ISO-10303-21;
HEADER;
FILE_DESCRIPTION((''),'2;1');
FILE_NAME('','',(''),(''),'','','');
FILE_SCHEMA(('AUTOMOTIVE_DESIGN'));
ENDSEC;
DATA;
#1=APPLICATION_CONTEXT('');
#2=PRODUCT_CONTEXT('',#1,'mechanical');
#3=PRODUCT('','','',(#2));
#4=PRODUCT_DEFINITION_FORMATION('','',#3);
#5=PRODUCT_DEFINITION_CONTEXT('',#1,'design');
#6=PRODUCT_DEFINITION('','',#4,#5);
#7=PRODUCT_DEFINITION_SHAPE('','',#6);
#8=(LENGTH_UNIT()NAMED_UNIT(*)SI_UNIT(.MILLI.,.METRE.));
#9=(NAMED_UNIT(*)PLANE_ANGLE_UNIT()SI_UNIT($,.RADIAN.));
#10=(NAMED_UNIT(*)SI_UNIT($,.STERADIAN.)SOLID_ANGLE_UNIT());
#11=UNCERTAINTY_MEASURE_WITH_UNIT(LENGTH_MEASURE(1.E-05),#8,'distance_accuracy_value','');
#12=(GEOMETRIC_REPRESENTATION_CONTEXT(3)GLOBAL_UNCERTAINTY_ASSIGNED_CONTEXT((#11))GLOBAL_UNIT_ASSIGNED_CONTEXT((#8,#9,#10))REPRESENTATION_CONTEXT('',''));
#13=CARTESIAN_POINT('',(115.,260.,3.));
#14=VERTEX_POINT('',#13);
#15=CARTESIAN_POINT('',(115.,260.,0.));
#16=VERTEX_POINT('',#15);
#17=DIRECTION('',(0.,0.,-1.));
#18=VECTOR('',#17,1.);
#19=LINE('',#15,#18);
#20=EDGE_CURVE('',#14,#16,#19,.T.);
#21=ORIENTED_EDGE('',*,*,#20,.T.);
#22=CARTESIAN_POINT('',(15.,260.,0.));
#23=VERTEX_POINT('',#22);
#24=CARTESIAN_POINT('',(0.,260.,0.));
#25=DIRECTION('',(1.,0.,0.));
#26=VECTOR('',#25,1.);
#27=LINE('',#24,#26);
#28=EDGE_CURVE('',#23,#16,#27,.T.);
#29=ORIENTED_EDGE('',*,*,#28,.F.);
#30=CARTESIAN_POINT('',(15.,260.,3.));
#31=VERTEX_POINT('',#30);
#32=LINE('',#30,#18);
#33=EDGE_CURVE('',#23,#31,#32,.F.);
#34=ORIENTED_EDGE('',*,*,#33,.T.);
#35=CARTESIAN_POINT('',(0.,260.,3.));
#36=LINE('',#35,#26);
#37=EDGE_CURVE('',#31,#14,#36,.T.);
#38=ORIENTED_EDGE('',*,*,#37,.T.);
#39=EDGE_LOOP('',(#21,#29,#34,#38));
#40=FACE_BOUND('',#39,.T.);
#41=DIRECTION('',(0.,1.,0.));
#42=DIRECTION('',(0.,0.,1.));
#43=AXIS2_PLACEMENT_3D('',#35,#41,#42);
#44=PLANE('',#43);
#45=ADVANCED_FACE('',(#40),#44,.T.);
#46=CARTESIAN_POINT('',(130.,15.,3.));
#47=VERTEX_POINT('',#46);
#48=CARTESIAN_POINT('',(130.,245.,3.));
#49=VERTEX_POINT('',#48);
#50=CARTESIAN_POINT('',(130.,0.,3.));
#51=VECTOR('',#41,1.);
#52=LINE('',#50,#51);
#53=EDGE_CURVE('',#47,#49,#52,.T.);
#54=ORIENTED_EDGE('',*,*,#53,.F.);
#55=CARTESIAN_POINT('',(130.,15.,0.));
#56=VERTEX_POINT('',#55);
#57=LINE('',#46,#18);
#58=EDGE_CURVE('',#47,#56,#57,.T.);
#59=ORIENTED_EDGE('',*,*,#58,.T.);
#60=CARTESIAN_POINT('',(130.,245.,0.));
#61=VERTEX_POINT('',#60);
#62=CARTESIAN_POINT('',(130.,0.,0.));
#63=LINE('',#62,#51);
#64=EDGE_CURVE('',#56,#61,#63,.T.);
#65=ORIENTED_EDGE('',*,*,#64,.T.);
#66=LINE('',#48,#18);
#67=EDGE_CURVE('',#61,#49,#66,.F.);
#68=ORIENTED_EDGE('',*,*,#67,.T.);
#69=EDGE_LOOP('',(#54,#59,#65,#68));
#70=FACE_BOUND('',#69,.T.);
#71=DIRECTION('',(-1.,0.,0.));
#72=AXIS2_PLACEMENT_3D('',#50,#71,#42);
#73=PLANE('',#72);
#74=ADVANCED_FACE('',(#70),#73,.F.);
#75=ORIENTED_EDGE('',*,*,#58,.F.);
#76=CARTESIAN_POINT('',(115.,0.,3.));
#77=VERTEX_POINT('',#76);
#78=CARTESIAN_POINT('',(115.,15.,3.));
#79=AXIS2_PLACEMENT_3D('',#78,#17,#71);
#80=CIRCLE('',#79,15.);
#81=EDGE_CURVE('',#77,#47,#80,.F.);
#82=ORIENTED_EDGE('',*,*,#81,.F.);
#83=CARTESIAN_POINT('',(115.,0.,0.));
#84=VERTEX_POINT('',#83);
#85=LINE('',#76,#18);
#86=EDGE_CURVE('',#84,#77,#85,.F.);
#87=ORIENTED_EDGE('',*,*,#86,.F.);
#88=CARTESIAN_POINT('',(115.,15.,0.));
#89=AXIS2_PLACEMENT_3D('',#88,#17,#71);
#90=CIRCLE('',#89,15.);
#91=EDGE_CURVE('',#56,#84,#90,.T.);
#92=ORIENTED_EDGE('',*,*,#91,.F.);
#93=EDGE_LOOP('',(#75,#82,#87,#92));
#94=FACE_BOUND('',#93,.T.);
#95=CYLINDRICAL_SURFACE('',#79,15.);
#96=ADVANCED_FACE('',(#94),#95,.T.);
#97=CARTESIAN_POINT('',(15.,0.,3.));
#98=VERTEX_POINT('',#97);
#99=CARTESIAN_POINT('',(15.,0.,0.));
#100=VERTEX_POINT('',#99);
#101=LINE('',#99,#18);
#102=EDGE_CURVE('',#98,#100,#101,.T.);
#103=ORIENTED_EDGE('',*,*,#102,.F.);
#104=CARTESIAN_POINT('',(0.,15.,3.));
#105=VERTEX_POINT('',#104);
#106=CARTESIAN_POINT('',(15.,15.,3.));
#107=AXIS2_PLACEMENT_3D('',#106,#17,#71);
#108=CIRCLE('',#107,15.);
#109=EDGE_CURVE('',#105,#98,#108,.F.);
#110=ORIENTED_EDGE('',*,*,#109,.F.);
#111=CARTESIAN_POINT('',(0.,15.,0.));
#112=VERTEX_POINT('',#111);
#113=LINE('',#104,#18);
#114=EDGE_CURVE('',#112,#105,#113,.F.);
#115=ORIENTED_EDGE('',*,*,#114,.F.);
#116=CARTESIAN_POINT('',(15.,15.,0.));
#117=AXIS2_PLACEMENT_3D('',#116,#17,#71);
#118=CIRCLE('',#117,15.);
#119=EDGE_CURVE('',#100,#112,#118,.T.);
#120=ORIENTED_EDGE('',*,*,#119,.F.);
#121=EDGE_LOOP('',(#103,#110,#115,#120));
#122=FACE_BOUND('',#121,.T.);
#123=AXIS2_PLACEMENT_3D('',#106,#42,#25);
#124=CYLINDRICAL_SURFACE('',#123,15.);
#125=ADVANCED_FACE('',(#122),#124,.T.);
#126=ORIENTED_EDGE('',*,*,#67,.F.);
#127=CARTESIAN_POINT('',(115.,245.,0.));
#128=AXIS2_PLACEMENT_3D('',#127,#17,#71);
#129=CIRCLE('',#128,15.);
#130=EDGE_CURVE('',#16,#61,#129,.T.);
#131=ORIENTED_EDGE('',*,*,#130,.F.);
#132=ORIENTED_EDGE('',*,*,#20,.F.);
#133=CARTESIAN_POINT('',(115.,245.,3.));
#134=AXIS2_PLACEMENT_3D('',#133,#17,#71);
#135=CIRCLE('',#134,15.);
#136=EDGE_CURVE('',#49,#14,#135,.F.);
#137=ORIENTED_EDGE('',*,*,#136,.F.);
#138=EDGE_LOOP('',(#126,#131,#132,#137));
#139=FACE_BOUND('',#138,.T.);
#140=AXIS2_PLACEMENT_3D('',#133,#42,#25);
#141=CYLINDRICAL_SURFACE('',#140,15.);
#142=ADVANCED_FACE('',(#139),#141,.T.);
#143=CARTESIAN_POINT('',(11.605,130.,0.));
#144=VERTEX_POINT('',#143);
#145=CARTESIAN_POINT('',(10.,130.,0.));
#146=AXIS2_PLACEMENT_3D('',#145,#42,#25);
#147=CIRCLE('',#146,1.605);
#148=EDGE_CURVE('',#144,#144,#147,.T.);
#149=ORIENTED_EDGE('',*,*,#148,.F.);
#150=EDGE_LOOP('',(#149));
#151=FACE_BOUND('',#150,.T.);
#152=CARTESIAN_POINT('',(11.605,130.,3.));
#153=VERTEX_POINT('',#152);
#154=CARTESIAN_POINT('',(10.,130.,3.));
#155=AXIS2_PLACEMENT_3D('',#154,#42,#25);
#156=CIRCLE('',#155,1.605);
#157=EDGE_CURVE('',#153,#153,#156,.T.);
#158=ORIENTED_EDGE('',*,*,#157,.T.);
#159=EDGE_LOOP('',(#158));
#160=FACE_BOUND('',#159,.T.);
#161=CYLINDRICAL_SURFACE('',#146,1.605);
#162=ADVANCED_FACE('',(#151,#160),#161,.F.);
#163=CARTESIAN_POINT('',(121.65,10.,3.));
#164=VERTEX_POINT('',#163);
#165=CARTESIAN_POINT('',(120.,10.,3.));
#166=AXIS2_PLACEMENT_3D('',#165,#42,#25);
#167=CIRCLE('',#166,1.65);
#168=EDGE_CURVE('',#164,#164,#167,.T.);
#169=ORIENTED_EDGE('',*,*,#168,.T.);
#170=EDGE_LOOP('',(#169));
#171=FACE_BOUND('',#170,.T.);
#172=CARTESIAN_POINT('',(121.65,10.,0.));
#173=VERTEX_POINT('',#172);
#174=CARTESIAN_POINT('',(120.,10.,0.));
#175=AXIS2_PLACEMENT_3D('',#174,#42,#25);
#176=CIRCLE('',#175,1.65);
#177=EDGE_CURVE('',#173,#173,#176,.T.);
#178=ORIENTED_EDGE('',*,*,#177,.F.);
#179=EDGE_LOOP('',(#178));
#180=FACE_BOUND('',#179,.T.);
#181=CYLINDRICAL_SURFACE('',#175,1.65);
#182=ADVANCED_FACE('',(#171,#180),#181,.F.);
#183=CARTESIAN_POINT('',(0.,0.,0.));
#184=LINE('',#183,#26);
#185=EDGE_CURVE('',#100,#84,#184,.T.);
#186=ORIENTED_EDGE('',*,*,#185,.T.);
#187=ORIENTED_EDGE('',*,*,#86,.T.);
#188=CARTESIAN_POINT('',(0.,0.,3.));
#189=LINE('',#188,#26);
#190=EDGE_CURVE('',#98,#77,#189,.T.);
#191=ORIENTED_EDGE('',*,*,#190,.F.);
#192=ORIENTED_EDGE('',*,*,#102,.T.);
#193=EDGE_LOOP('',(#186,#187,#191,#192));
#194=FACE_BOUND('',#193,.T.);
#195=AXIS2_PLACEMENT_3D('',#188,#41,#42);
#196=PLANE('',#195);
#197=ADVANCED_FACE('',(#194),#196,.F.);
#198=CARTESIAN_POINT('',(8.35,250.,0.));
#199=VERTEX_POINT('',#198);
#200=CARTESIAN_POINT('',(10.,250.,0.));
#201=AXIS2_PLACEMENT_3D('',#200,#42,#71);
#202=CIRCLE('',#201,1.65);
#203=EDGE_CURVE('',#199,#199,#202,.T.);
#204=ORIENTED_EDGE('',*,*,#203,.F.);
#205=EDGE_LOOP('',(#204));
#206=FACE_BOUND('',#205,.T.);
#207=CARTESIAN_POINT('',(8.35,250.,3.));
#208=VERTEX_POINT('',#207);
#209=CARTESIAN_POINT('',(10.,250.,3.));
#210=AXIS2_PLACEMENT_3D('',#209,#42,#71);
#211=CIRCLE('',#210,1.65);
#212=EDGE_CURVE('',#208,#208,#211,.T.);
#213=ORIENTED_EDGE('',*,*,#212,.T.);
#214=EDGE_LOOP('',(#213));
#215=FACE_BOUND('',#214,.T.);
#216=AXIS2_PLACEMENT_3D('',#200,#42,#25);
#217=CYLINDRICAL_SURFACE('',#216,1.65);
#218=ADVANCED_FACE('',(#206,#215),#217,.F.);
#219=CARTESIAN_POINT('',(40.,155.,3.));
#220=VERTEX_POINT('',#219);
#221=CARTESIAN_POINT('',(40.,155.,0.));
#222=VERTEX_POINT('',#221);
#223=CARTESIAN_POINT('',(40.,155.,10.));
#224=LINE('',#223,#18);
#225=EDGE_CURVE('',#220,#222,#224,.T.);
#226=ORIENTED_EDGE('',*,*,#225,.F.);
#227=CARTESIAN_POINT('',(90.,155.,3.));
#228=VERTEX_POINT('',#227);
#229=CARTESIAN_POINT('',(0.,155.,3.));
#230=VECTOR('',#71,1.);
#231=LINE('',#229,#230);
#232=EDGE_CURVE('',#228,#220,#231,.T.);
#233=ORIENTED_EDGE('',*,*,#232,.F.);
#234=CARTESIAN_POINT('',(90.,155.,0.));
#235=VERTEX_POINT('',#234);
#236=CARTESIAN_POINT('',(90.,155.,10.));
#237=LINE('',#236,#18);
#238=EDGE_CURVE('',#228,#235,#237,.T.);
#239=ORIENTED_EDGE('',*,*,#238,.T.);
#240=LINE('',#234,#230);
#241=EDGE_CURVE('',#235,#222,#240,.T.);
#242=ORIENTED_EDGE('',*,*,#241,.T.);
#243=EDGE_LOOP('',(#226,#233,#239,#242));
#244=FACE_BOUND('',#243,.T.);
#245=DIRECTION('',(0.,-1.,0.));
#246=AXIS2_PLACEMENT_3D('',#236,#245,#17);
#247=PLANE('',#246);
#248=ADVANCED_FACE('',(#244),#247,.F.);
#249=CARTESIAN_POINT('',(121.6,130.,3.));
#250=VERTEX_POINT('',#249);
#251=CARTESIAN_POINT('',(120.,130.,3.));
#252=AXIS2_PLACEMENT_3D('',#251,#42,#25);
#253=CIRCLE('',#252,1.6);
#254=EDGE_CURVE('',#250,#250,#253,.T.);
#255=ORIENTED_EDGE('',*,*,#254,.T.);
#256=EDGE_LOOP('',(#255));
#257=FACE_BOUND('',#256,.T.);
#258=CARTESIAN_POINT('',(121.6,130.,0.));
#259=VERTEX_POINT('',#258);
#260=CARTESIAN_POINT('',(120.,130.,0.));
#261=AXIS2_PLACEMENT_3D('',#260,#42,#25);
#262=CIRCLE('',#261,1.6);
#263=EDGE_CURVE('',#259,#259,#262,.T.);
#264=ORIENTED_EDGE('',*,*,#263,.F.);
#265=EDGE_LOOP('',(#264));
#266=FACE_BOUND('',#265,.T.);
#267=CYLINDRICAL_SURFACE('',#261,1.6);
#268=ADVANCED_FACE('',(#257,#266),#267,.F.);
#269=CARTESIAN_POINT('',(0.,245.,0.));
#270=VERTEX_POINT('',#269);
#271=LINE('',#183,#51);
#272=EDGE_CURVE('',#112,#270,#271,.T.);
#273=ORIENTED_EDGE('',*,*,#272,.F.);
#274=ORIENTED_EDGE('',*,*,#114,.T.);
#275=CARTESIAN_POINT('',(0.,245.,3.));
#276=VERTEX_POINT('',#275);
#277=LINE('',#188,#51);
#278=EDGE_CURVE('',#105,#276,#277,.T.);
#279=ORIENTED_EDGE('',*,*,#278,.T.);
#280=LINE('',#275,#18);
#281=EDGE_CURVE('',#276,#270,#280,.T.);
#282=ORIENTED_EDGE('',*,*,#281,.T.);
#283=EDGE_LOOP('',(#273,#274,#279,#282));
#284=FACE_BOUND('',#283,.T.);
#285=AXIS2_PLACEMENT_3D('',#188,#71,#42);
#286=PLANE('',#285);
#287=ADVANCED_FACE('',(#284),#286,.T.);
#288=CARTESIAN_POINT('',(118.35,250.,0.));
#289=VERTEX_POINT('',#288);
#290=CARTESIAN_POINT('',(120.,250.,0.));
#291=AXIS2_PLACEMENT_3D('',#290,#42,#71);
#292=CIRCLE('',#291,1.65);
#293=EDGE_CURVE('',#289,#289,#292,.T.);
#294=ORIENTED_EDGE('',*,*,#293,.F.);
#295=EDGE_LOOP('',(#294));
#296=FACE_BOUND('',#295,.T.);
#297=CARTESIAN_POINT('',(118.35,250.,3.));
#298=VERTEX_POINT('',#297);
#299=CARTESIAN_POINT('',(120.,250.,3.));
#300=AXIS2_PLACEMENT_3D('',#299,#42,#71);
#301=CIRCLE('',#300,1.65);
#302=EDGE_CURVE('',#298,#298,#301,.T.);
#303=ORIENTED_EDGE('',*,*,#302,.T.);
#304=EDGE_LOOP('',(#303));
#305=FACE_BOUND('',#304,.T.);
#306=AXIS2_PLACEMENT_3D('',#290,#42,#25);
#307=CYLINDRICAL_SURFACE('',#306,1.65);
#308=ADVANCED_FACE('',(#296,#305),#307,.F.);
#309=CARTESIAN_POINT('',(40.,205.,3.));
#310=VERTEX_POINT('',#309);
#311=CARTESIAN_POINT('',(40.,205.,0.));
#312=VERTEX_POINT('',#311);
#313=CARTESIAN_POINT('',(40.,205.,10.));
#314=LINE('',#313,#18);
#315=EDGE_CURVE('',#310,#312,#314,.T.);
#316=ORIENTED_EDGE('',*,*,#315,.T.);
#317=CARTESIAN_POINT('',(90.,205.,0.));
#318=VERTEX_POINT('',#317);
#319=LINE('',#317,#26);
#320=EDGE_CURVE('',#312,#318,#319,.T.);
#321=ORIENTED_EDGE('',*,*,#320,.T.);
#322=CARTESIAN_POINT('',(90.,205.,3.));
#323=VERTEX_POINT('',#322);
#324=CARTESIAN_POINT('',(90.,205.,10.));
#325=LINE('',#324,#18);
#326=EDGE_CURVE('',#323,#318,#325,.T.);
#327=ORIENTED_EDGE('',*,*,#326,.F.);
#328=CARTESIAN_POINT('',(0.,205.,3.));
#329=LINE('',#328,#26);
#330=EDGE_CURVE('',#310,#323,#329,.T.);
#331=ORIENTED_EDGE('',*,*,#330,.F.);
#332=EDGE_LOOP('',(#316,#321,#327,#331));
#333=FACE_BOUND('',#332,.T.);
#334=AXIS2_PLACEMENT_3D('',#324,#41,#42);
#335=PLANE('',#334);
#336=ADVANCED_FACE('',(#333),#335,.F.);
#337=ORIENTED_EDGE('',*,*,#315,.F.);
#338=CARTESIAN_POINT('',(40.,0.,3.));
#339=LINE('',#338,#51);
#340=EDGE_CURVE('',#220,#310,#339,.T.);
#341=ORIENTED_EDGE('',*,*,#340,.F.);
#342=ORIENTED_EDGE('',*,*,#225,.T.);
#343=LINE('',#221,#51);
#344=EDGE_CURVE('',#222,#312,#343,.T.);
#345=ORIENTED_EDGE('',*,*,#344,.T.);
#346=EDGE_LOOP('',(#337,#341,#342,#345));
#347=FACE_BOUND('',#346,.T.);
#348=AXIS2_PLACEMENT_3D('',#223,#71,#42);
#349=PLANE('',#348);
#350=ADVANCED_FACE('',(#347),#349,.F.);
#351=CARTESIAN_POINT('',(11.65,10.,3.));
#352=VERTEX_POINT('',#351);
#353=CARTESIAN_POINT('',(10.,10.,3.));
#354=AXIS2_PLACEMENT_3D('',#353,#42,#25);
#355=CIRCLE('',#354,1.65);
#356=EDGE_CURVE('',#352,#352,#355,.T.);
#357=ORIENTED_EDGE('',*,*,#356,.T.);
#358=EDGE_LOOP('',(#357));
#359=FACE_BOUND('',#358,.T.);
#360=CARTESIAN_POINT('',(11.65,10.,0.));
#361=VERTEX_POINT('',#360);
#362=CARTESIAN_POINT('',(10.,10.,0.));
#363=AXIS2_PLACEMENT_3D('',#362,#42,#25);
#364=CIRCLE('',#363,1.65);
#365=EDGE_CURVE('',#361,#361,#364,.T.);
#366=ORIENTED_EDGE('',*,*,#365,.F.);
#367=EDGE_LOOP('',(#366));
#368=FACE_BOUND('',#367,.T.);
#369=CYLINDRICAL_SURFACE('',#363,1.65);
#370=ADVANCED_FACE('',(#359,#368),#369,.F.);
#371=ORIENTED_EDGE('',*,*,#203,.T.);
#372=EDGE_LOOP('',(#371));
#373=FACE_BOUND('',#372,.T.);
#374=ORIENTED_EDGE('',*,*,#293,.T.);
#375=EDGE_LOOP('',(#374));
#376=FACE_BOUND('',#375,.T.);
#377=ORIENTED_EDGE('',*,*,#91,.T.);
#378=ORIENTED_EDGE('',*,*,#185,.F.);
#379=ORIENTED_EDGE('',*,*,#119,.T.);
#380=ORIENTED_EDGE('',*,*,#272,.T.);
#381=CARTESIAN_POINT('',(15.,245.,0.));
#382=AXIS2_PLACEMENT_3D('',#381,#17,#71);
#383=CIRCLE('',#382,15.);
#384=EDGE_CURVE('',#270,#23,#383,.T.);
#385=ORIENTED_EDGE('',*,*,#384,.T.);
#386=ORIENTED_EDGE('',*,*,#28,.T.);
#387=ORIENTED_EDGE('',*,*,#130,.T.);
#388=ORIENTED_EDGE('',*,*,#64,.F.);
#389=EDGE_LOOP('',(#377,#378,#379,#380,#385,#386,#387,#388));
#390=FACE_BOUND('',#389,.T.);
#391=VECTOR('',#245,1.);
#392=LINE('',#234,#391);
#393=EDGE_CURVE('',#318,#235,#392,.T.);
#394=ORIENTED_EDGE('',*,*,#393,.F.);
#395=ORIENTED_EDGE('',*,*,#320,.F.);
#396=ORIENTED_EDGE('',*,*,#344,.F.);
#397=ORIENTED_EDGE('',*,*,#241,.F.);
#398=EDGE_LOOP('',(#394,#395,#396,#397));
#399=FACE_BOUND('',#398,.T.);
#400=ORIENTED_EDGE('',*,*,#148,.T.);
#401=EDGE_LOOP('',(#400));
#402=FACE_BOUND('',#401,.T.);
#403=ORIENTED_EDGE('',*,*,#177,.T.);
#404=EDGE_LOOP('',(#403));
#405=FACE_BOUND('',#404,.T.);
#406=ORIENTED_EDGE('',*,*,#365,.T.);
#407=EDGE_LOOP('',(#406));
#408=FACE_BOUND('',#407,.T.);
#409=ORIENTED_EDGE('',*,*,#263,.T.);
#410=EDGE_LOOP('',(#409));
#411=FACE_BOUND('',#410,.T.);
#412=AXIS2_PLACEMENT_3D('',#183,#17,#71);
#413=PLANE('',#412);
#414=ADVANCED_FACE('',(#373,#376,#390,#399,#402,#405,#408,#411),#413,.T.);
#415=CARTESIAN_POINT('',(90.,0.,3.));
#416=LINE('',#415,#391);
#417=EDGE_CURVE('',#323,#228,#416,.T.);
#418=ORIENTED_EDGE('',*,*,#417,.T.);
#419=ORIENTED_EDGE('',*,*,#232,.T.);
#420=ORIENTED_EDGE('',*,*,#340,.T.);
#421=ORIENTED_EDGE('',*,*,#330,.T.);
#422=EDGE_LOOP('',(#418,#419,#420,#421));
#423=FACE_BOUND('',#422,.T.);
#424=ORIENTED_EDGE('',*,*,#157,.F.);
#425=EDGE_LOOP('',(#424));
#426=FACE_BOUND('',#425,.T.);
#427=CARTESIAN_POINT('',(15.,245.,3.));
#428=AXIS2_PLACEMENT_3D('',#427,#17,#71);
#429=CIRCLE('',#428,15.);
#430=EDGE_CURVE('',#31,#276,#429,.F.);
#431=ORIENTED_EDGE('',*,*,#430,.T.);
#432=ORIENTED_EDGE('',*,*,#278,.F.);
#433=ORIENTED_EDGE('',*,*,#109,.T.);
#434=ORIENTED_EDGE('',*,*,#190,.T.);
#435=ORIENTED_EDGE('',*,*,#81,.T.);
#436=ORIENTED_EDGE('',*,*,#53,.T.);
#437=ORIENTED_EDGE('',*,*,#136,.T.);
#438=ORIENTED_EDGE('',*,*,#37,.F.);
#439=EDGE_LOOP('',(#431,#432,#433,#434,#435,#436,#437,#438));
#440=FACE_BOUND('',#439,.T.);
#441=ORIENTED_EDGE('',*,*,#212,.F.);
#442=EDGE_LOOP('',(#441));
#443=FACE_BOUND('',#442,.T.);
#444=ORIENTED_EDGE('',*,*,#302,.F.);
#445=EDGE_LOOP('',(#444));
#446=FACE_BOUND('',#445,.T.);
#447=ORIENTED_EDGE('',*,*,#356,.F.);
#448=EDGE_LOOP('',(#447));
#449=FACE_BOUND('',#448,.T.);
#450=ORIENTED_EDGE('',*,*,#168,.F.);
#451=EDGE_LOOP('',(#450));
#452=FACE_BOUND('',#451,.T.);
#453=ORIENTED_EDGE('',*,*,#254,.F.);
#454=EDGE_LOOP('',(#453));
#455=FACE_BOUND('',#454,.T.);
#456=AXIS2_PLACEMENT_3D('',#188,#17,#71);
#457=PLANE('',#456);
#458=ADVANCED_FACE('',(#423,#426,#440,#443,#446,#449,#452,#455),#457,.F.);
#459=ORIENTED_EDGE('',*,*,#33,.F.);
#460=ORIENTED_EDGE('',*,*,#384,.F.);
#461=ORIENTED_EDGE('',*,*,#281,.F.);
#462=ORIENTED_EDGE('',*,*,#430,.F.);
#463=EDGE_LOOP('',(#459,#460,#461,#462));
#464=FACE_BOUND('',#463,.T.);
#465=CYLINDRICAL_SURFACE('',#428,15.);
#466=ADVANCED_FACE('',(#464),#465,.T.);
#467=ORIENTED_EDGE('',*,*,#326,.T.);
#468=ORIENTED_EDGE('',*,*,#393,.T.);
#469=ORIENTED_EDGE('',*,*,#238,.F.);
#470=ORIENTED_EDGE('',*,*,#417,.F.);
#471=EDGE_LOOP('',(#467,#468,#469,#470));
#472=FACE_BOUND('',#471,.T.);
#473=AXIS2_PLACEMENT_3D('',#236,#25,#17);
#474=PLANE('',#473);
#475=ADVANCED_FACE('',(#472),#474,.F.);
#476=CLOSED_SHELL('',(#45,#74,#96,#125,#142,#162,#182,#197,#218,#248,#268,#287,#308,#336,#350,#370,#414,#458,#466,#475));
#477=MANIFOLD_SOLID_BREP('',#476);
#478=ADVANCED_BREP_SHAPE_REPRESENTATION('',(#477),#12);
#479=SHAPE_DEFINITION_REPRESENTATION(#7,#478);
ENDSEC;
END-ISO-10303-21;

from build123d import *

# Parameters (mm, degrees)
SKETCH_1_W          = 130
SKETCH_1_H          = 260
EXTRUDE_1_DEPTH     = 3
SKETCH_2_R          = 1.65
SKETCH_2_R_2        = 1.6
SKETCH_2_R_3        = 1.605
CUT_EXTRUDE_1_DEPTH = 3
SKETCH_3_W          = 50
SKETCH_3_H          = 50
CUT_EXTRUDE_2_DEPTH = 10
FILLET_1_R          = 15


with BuildPart() as part:
    # 草图1 → 凸台-拉伸1 (new body)
    with BuildSketch(Plane.XY):
        with Locations((65, 130)):
            Rectangle(SKETCH_1_W, SKETCH_1_H)
    extrude(amount=EXTRUDE_1_DEPTH)

    # 草图2 → 切除-拉伸1 (cut)
    with BuildSketch(Plane.XY.offset(3)):
        with Locations((120, 10)):
            Circle(SKETCH_2_R)
        with Locations((10, 10)):
            Circle(SKETCH_2_R)
        with Locations(Location((10, 250, 0), (0, 0, 180))):
            Circle(SKETCH_2_R)
        with Locations(Location((120, 250, 0), (0, 0, 180))):
            Circle(SKETCH_2_R)
        with Locations((120, 130)):
            Circle(SKETCH_2_R_2)
        with Locations((10, 130)):
            Circle(SKETCH_2_R_3)
    extrude(amount=-CUT_EXTRUDE_1_DEPTH, mode=Mode.SUBTRACT)

    # 草图3 → 切除-拉伸2 (cut)
    with BuildSketch(Plane(origin=(0, 0, 0), x_dir=(-1, 0, 0), z_dir=(0, 0, -1))):
        with Locations((-65, 180)):
            Rectangle(SKETCH_3_W, SKETCH_3_H)
    extrude(amount=-CUT_EXTRUDE_2_DEPTH, mode=Mode.SUBTRACT)

    # 圆角1
    fillet_1_edges = [part.edges().sort_by_distance(p)[0] for p in [
        (0, 0, 1.5),
        (130, 0, 1.5),
        (130, 260, 1.5),
        (0, 260, 1.5),
    ]]
    fillet(fillet_1_edges, radius=FILLET_1_R)


solid = part.part
